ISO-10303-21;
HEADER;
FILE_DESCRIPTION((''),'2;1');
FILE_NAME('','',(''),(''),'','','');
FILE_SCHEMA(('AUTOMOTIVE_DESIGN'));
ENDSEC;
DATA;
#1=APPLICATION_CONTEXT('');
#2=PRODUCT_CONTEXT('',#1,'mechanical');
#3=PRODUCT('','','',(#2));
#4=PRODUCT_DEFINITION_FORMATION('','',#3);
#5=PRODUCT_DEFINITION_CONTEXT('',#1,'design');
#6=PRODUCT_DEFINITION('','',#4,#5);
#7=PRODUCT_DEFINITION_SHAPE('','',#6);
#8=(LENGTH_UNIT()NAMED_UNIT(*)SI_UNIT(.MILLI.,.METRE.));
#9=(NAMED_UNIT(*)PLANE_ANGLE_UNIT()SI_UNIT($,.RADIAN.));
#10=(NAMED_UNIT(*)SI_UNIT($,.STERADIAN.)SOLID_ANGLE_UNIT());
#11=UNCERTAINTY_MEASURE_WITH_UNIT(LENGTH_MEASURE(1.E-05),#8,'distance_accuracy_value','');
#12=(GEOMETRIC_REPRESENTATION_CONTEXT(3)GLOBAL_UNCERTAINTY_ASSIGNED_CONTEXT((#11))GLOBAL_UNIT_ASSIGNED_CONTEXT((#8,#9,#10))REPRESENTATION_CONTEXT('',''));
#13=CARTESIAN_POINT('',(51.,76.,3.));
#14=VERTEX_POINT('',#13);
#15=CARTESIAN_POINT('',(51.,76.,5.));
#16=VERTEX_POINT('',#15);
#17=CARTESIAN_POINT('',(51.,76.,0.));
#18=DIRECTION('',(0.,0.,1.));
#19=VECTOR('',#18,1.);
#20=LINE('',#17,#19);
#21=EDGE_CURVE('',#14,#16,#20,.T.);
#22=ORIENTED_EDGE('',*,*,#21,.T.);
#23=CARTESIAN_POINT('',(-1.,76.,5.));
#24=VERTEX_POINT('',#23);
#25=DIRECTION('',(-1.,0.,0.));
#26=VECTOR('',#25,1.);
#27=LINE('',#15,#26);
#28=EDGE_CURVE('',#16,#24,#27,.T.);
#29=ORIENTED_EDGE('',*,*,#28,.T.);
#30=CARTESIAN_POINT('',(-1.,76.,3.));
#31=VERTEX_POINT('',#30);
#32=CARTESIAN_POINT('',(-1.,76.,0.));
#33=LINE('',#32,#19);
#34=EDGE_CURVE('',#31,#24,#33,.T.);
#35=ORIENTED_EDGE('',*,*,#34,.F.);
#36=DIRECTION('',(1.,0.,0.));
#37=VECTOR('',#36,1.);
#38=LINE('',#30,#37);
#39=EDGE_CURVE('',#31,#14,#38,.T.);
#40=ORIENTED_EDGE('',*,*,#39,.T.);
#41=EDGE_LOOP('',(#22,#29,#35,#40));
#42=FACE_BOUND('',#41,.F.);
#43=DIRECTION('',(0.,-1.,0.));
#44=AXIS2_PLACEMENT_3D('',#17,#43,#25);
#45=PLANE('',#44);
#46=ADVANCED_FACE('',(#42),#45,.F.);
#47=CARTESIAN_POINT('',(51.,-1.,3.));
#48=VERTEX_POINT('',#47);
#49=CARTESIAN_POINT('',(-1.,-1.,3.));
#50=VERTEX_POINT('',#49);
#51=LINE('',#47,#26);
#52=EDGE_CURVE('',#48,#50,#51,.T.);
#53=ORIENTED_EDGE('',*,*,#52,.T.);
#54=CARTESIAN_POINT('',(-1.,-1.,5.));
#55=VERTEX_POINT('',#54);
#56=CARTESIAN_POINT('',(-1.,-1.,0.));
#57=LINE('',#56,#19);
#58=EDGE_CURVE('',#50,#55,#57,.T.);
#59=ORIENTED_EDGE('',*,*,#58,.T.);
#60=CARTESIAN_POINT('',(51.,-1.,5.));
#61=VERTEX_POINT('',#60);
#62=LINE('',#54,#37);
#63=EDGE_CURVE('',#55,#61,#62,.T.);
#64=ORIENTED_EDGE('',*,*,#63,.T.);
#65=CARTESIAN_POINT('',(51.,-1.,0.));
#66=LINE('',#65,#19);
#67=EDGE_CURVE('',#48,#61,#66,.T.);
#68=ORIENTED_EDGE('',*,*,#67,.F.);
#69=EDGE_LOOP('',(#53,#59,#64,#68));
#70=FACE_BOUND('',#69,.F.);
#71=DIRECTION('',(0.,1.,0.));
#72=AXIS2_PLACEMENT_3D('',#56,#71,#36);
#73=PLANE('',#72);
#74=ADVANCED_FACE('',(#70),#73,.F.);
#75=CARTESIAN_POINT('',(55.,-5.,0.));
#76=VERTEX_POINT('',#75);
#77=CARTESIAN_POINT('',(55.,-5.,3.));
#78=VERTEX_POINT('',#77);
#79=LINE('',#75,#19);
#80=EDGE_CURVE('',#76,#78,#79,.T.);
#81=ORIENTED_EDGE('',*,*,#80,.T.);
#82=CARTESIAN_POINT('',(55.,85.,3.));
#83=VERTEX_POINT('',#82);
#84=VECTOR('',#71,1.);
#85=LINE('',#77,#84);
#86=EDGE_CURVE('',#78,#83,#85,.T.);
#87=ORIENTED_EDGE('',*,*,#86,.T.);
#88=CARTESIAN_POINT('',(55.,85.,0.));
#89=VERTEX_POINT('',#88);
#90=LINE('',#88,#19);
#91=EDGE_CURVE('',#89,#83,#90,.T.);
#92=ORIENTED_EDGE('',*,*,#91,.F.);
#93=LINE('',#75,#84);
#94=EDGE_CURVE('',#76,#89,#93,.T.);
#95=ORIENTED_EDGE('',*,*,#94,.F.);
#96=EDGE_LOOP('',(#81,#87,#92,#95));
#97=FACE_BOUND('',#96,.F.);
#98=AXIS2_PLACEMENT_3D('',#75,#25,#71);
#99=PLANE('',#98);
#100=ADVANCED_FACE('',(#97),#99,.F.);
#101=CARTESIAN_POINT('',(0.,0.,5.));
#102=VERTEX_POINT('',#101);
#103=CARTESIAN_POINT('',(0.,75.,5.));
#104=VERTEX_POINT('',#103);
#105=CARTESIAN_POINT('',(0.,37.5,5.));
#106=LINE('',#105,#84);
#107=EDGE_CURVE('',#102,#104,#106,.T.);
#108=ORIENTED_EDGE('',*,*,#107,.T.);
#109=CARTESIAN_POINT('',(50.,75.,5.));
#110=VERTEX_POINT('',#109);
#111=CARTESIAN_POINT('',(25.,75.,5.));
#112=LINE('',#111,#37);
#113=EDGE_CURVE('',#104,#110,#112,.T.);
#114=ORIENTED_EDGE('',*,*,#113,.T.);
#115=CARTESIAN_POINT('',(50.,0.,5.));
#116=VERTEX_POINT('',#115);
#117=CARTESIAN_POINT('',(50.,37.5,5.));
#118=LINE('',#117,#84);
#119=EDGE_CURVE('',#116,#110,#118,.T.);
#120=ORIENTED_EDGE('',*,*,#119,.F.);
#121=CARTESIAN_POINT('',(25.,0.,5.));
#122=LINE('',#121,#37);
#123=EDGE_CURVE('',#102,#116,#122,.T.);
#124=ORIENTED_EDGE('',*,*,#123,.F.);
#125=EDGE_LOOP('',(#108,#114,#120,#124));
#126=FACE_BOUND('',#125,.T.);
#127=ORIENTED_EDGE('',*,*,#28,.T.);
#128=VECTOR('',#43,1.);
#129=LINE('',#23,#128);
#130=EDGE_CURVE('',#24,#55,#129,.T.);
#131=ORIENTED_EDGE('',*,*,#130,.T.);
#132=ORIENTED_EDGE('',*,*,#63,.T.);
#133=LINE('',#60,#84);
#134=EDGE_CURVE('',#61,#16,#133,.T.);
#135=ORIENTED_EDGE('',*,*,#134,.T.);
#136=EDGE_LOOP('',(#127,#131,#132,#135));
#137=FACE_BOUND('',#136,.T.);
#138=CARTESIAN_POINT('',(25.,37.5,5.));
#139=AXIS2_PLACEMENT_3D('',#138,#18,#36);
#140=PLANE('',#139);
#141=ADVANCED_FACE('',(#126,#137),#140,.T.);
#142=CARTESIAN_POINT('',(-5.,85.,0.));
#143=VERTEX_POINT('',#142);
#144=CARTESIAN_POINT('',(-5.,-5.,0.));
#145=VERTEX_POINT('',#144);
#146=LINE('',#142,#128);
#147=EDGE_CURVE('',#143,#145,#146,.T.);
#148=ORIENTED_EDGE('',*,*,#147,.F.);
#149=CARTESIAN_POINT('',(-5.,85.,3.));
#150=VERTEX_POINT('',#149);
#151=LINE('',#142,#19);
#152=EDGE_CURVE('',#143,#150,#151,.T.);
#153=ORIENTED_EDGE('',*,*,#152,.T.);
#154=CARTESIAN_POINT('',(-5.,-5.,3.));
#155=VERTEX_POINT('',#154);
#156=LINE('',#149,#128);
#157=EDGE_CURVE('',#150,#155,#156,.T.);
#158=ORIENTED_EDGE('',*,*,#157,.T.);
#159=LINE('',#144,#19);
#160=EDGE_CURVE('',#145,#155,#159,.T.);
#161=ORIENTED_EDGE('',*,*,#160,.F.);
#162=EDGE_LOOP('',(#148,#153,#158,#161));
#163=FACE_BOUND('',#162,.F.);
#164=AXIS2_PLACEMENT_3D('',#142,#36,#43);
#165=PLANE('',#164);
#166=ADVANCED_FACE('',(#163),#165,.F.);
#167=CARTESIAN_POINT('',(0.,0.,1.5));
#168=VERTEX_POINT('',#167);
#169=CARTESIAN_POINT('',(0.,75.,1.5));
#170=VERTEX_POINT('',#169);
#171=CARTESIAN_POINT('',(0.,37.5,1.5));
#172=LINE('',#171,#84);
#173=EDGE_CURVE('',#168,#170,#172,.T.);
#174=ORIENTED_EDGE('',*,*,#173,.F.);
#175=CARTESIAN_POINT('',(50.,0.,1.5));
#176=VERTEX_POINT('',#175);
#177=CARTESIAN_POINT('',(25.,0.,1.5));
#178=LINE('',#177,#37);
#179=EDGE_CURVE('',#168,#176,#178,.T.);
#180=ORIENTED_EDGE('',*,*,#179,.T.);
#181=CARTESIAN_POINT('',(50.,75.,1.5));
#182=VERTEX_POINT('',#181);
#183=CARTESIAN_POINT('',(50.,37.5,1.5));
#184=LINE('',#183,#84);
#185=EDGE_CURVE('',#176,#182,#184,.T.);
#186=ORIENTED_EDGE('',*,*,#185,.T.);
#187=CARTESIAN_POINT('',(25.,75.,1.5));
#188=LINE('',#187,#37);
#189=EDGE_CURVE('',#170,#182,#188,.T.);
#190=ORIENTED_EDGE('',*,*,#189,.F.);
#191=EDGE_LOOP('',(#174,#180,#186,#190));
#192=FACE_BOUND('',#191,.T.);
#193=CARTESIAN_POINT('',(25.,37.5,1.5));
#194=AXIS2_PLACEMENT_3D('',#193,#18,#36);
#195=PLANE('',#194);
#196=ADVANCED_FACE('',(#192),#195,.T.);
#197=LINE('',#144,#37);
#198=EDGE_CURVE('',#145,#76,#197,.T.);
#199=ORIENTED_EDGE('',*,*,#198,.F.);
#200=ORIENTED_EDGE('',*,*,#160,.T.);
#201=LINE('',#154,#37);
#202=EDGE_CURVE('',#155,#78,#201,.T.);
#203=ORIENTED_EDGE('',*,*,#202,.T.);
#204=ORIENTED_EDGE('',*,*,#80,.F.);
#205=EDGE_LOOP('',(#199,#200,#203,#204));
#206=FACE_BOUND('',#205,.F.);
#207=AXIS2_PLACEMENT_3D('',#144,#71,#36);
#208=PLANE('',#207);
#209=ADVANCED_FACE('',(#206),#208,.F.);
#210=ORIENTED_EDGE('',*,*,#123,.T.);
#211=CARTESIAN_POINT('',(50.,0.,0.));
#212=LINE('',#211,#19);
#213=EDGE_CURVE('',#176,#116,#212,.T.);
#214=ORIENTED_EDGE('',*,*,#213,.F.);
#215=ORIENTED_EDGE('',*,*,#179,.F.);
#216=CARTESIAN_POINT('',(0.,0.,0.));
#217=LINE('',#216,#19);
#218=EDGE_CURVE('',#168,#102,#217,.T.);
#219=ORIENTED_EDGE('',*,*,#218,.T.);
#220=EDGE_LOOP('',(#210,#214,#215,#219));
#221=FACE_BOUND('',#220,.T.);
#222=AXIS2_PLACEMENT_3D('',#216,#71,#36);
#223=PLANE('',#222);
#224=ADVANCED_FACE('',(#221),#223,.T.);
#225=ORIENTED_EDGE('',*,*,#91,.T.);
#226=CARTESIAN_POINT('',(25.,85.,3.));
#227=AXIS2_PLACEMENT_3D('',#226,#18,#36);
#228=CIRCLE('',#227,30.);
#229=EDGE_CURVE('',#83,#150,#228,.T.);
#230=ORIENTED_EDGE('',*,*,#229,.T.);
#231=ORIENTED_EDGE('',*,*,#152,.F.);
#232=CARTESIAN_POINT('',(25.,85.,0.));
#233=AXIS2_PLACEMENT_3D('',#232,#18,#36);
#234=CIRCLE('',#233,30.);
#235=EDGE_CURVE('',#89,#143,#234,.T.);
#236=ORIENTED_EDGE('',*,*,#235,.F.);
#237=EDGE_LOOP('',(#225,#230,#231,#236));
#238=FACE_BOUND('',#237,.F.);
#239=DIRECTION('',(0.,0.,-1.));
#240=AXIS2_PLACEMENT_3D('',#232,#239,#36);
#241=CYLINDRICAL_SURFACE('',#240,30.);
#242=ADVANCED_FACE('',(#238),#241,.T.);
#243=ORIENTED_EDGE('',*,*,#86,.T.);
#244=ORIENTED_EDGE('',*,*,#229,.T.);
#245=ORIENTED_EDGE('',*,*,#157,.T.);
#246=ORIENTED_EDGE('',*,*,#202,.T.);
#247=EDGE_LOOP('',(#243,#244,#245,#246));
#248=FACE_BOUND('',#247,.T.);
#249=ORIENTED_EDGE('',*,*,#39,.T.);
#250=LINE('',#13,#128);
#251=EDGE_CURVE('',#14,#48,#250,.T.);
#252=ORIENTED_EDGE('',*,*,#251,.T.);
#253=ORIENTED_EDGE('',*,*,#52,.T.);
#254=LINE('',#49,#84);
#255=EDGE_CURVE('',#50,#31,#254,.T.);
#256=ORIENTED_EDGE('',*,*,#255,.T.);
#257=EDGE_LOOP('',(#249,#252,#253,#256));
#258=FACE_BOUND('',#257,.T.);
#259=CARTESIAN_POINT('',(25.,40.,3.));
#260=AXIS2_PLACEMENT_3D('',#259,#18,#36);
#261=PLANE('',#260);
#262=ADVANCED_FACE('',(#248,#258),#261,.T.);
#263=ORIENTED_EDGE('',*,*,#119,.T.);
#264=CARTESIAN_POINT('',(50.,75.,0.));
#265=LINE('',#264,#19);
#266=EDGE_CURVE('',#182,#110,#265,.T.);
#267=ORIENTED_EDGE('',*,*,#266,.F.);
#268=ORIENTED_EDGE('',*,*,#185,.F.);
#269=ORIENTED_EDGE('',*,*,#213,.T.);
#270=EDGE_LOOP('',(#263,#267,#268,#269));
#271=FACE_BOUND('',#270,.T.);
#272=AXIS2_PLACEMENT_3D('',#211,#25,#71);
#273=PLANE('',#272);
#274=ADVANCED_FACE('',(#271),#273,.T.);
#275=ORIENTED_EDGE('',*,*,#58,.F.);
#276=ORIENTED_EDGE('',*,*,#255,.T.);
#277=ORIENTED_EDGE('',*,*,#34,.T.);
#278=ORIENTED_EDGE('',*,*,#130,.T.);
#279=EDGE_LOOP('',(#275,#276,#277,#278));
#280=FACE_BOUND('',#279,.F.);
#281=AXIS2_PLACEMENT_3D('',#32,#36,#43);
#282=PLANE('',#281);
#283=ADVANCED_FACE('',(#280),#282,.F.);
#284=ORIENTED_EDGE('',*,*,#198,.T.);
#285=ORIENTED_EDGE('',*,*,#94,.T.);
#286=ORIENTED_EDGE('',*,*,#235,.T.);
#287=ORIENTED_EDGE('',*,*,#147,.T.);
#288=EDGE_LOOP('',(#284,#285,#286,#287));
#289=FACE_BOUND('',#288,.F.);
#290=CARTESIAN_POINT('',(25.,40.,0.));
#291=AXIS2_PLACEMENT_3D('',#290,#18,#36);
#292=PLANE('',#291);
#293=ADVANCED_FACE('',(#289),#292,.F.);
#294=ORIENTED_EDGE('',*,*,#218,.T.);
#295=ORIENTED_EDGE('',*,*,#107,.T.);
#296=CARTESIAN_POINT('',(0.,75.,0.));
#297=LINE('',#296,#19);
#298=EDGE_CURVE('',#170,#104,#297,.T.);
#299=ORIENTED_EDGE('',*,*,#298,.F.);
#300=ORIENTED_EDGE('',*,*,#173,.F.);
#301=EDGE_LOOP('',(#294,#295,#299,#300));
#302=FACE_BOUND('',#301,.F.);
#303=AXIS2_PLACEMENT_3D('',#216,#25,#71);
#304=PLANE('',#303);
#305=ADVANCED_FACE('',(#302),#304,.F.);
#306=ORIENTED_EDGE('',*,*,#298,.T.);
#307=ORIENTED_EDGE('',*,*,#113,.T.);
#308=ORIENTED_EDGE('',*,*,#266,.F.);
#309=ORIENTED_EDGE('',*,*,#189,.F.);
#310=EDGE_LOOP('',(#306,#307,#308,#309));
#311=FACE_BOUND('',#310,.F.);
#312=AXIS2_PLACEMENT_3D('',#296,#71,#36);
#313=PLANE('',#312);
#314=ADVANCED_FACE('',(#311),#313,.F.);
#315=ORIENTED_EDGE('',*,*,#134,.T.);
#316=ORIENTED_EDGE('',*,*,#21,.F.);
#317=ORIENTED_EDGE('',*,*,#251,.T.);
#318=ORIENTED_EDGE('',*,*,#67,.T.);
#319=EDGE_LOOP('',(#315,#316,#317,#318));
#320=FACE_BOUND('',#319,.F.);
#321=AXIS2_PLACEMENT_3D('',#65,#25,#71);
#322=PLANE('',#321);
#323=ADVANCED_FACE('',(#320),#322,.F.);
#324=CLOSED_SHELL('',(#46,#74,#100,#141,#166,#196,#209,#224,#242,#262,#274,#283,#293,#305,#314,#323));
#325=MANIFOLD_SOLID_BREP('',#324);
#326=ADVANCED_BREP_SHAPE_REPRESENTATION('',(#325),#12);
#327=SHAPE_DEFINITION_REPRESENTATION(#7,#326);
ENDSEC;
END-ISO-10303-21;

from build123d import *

# Parameters (mm, degrees)
F1_DEPTH = 3
F0_W     = 50
F0_H     = 75
F2_DEPTH = 1.5
F3_DEPTH = 5


with BuildPart() as f1:
    # F0 (on Top) → F1 (new body)
    with BuildSketch(Plane.XY):
        Polygon((55, -5), (55, 0), (55, 85), (-5, 85), (-5, 0), (-5, -5), align=None)
        Polygon((51, 76), (51, 0), (51, -1), (-1, -1), (-1, 76), align=None, mode=Mode.SUBTRACT)
        with BuildLine():
            Line((-5, 85), (55, 85))
            ThreePointArc((55, 85), (25, 115), (-5, 85))
        make_face()
    extrude(amount=F1_DEPTH)



with BuildPart() as f2:
    # F0 (on Top) → F2 (new body)
    with BuildSketch(Plane.XY):
        with Locations((25, 37.5)):
            Rectangle(F0_W, F0_H)
    extrude(amount=F2_DEPTH)


with BuildPart() as f1_1:
    add(f1.part)

    add(f2.part)  # F3 merges F2
    # F0 (on Top) → F3 (join)
    with BuildSketch(Plane.XY):
        Polygon((51, -1), (51, 0), (51, 76), (-1, 76), (-1, -1), align=None)
        with Locations((25, 37.5)):
            Rectangle(F0_W, F0_H, mode=Mode.SUBTRACT)
    extrude(amount=F3_DEPTH)


solid = f1_1.part
